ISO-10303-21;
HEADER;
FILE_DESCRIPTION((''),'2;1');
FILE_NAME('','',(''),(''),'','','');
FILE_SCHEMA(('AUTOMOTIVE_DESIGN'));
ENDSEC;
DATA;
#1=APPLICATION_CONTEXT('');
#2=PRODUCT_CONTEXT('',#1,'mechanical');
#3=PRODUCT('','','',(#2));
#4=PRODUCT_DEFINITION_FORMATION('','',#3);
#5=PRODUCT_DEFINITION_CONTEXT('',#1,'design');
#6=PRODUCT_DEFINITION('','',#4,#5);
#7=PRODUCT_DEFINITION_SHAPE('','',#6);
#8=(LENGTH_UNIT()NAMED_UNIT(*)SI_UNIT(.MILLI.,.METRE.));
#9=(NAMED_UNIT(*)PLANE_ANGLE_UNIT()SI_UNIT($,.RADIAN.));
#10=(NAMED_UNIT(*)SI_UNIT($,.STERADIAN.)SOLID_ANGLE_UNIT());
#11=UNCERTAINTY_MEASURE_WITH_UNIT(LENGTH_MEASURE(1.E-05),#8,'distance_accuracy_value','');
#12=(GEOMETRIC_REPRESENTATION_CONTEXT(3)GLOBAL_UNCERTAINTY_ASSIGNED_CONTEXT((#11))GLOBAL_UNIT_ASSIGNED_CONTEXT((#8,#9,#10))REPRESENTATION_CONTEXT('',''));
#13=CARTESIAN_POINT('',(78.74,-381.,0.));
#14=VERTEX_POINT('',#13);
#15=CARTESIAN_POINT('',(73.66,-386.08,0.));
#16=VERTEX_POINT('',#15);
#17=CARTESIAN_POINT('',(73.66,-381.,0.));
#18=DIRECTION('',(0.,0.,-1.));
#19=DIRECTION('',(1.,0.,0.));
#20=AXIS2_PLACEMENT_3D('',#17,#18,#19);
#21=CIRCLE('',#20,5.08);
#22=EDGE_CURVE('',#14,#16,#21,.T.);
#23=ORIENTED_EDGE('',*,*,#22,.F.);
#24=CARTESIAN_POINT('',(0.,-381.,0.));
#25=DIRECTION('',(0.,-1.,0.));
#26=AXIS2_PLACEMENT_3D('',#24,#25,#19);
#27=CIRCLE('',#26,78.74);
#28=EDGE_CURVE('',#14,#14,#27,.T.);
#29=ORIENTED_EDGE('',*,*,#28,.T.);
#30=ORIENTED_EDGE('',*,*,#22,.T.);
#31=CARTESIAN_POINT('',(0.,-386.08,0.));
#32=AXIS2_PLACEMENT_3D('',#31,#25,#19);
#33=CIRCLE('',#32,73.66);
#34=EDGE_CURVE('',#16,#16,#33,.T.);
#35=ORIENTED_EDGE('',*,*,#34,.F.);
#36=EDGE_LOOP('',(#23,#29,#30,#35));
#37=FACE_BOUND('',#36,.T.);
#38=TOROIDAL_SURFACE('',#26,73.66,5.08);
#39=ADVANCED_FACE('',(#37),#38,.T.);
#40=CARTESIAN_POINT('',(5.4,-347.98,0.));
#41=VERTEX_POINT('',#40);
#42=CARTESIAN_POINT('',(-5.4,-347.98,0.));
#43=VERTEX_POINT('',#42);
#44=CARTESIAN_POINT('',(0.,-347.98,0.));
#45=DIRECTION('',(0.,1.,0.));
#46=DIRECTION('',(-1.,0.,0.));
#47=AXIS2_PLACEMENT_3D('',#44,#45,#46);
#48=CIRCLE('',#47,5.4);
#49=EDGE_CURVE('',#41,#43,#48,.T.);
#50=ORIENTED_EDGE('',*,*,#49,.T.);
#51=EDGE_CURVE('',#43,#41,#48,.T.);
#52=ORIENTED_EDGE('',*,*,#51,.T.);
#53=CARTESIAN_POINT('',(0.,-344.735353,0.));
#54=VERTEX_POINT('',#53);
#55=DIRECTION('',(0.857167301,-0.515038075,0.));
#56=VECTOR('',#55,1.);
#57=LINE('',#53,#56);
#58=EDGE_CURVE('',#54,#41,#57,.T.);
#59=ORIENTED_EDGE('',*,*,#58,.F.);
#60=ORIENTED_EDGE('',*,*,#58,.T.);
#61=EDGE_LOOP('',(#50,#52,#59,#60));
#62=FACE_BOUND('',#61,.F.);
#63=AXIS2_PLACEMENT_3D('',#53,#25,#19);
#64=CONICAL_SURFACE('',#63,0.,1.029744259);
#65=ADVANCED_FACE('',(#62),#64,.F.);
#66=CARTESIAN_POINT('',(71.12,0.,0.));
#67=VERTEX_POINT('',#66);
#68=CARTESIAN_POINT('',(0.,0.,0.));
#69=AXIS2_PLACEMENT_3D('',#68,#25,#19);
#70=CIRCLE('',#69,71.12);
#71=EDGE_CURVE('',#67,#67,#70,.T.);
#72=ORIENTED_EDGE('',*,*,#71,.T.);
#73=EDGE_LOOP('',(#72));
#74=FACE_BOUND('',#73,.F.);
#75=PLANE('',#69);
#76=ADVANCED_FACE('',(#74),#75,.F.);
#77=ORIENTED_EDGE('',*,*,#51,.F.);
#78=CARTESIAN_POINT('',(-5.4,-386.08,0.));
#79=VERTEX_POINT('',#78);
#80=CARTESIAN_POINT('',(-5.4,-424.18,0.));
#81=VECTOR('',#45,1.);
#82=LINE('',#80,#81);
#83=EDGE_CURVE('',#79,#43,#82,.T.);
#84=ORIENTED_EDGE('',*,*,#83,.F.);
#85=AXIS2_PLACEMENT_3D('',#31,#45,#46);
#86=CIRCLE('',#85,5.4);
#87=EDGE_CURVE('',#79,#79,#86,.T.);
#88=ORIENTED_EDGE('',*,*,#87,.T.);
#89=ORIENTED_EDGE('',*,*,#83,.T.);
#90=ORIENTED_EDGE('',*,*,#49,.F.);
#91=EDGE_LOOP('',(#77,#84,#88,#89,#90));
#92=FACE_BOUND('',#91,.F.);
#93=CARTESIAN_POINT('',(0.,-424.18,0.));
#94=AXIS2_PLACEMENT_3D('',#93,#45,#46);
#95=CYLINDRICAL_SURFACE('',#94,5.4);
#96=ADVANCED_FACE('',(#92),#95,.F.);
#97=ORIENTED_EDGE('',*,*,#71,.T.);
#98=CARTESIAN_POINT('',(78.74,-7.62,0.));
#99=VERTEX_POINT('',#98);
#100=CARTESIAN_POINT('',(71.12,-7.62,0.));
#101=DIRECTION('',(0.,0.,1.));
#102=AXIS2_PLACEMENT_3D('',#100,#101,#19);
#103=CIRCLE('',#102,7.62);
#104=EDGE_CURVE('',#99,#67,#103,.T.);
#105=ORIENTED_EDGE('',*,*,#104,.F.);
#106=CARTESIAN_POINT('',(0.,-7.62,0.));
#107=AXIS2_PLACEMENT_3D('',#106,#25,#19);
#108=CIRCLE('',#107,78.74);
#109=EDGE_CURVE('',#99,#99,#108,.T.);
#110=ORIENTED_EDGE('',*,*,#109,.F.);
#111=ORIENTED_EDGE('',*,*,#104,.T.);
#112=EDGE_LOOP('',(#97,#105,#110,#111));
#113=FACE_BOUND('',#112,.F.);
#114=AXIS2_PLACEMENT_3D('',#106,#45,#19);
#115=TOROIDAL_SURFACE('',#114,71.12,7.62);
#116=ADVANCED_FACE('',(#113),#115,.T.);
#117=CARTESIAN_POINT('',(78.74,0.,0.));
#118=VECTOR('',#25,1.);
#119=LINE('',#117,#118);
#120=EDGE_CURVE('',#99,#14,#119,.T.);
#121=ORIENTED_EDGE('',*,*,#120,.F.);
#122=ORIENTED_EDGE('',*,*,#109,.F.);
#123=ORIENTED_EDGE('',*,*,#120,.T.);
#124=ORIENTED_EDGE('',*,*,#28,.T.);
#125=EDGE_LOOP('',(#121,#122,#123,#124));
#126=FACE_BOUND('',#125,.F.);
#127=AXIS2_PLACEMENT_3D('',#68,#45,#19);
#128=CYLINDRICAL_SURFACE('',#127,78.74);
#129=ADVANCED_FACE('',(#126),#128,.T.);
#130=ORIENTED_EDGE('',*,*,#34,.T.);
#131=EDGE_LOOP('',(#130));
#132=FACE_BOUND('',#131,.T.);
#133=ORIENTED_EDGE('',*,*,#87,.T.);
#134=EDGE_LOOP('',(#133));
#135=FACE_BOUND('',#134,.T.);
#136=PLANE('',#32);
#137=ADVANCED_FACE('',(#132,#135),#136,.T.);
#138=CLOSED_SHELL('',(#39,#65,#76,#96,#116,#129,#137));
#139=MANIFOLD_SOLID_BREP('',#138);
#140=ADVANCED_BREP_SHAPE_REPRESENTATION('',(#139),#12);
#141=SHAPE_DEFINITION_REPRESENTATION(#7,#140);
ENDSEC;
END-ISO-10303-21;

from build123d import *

# Parameters (mm, degrees)
F0_R     = 78.74
F1_DEPTH = 386.08
F3_D     = 10.8
F3_DEPTH = 38.1
F3_TIP   = 3.2446473427
F4_R     = 5.08
F5_R     = 7.62


with BuildPart() as f1:
    # F0 (on Front) → F1 (new body)
    with BuildSketch(Plane.XZ):
        Circle(F0_R)
    extrude(amount=F1_DEPTH)

    # F3
    with Locations(Plane.XZ.offset(386.08)):
        with Locations((0, 0)):
            Hole(F3_D / 2, depth=F3_DEPTH)
            with Locations((0, 0, -(F3_DEPTH + F3_TIP / 2))):  # 118° drill point
                Cone(0, F3_D / 2, F3_TIP, mode=Mode.SUBTRACT)

    # F4
    f4_edges = [f1.edges().sort_by_distance(p)[0] for p in [
        (-78.74, -386.08, 0),
    ]]
    fillet(f4_edges, radius=F4_R)

    # F5
    f5_edges = [f1.edges().sort_by_distance(p)[0] for p in [
        (-78.74, 0, 0),
    ]]
    fillet(f5_edges, radius=F5_R)


solid = f1.part
